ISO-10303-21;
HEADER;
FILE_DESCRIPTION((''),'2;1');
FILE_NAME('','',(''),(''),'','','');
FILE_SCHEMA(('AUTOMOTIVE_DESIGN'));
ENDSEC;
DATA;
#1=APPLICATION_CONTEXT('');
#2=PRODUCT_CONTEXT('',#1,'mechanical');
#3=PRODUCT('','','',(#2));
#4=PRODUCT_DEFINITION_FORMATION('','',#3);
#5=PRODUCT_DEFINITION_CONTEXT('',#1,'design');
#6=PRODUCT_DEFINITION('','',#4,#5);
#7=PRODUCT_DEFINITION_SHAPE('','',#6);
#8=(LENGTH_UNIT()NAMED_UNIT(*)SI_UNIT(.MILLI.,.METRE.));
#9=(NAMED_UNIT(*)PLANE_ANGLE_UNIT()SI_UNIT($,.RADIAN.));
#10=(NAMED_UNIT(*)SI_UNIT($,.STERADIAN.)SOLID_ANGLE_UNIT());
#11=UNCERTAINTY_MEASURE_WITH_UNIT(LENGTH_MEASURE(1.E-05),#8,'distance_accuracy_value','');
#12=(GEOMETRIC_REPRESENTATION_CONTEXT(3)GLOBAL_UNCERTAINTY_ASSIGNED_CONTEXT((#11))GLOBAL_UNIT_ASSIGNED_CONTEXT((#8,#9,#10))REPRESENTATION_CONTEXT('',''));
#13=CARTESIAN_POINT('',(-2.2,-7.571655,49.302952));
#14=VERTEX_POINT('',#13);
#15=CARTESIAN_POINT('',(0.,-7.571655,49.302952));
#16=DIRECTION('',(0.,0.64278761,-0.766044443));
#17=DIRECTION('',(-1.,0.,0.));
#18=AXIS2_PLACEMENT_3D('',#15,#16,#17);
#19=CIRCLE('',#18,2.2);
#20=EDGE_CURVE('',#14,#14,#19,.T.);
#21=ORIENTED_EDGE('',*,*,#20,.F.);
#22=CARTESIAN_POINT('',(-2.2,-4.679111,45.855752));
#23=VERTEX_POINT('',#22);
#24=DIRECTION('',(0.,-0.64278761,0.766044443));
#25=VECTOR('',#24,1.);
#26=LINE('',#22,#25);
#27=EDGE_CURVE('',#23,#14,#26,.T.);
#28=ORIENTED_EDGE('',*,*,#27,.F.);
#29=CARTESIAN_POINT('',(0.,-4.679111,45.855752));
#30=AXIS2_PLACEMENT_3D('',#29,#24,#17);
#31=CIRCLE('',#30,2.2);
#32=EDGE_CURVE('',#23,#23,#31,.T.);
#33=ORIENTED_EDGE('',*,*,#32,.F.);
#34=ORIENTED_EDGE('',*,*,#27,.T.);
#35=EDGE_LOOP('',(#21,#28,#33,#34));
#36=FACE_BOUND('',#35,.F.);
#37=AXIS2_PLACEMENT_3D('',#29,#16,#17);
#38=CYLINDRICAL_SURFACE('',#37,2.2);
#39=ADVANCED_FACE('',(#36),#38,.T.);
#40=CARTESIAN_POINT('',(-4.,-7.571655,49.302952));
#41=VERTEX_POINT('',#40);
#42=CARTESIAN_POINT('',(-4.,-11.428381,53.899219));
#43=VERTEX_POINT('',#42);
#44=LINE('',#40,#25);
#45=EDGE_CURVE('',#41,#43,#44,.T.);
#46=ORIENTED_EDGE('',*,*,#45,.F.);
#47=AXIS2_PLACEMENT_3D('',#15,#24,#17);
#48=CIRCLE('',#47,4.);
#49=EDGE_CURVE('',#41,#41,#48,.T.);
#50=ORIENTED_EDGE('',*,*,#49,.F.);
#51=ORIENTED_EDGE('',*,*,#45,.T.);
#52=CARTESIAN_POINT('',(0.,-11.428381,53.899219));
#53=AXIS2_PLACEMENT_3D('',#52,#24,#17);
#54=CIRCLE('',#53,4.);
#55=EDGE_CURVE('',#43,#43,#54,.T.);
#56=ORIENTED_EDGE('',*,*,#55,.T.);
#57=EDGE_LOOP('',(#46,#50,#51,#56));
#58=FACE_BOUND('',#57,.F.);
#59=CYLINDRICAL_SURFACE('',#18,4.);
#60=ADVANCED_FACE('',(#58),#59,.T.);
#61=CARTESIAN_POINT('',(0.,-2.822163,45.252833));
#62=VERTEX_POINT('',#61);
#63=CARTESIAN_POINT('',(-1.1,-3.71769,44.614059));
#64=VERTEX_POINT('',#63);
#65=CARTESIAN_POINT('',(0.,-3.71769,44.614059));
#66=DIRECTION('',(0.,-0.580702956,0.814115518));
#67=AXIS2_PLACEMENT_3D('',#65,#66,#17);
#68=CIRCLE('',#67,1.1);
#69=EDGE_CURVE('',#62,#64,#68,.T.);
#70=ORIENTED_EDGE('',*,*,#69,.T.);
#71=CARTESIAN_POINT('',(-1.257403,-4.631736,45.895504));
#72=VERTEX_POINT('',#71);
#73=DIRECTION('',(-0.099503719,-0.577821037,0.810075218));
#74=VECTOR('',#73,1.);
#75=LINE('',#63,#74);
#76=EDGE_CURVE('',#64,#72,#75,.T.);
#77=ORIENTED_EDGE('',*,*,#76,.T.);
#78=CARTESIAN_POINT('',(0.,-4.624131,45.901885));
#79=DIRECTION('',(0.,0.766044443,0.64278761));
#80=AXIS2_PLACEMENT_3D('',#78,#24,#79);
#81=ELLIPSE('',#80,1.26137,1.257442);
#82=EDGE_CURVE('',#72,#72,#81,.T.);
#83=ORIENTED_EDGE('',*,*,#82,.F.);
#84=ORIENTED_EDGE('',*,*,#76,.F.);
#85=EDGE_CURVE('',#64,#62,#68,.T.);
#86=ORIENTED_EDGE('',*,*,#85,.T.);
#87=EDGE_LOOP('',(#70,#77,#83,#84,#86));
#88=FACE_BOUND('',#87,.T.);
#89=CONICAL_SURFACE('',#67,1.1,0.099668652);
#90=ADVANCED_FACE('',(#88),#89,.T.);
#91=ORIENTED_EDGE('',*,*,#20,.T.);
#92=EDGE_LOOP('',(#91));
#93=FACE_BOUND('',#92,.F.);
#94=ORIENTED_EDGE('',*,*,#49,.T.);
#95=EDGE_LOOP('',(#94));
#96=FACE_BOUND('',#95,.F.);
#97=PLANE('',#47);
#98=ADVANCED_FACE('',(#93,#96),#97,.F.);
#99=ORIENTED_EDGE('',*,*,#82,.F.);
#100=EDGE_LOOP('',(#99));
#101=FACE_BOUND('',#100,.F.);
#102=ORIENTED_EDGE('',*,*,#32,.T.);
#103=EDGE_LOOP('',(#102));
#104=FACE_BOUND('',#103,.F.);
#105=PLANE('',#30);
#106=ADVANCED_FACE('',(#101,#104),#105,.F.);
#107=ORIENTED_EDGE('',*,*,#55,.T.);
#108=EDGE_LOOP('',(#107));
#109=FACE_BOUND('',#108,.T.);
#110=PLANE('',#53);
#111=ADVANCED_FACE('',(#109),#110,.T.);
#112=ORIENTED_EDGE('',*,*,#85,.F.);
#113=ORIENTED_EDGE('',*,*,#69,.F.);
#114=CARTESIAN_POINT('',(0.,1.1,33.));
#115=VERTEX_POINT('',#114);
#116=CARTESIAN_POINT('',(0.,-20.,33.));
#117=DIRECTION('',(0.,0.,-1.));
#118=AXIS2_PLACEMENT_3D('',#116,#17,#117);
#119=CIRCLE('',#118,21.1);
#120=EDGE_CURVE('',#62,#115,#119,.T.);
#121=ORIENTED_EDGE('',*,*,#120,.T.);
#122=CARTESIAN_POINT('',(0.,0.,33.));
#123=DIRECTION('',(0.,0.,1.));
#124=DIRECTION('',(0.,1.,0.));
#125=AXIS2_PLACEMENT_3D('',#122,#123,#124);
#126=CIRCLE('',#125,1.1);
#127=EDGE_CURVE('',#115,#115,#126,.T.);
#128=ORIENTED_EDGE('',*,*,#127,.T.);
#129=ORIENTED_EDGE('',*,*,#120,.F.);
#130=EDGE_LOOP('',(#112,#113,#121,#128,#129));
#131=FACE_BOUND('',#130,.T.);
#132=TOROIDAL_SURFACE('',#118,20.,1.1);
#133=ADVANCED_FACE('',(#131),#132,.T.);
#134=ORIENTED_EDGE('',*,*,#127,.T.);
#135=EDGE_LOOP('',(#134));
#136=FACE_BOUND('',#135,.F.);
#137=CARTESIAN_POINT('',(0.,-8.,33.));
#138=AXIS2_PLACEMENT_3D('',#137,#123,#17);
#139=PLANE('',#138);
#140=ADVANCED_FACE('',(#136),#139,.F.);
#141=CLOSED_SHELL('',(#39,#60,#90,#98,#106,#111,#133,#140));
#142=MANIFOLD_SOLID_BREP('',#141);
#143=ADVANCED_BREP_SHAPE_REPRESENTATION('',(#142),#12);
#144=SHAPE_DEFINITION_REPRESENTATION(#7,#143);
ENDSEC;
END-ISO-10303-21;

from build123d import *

# Parameters (mm, degrees)
CONE007_ROLL_ANGLE           = -35.5
BOX001027045030_W            = 10
BOX001027045030_H            = 24
BOX001027045030_DEPTH        = 22
BOX001027045030_ROLL_ANGLE   = -35.5
BOX001027045029_W            = 10
BOX001027045029_H            = 24
BOX001027045029_DEPTH        = 22
TORUS006_R                   = 1.1
TORUS006_PITCH_ANGLE         = 90
CYLINDER135_R                = 4
CYLINDER135_DEPTH            = 6
CYLINDER135_ROLL_ANGLE       = -40
CYLINDER134_R                = 2.2
CYLINDER134_DEPTH            = 10
CYLINDER134_ROLL_ANGLE       = -40
FUSION112046_PLACEMENT_ANGLE = 180


with BuildPart() as cone007:
    # Cone007 → Cone007 (revolve)
    with BuildSketch(Plane.XZ):
        Polygon((0, 0), (1.1, 0), (1.3, 2), (0, 2), align=None)
    revolve(axis=Axis((0, 0, 0), (0, 0, 1)))


with BuildPart() as cone007_1:
    # Cone007 roll: moved
    add(cone007.part.rotate(Axis((0, 0, 0), (1, 0, 0)), CONE007_ROLL_ANGLE))


with BuildPart() as cone007_2:
    # Cone007 placement: moved
    add(cone007_1.part.moved(Location((0, 3.71769, 11.614059))))


with BuildPart() as cube083:
    # Box001027045030 → Box001027045030 (new body)
    with BuildSketch(Plane.XY):
        with Locations((5, 12)):
            Rectangle(BOX001027045030_W, BOX001027045030_H)
    extrude(amount=BOX001027045030_DEPTH)


with BuildPart() as cube083_1:
    # Box001027045030 roll: moved
    add(cube083.part.rotate(Axis((0, 0, 0), (1, 0, 0)), BOX001027045030_ROLL_ANGLE))


with BuildPart() as cube083_2:
    # Box001027045030 placement: moved
    add(cube083_1.part.moved(Location((-5, 0.461228, 13.936871))))


with BuildPart() as cube082:
    # Box001027045029 → Box001027045029 (new body)
    with BuildSketch(Plane(origin=(-5, -4, 0), x_dir=(1, 0, 0), z_dir=(0, 0, 1))):
        with Locations((5, 12)):
            Rectangle(BOX001027045029_W, BOX001027045029_H)
    extrude(amount=BOX001027045029_DEPTH)


with BuildPart() as cut073:
    # Torus006 → Torus006 (revolve)
    with BuildSketch(Plane.XZ):
        with Locations((20, 0)):
            Circle(TORUS006_R)
    revolve(axis=Axis((0, 0, 0), (0, 0, 1)))


with BuildPart() as cut073_1:
    # Torus006 pitch: moved
    add(cut073.part.rotate(Axis((0, 0, 0), (0, 1, 0)), TORUS006_PITCH_ANGLE))


with BuildPart() as cut073_2:
    # Torus006 placement: moved
    add(cut073_1.part.moved(Location((0, 20, 0))))

    # Common058: intersect Cube082
    add(cube082.part, mode=Mode.INTERSECT)

    # Cut073: cut Cube083
    add(cube083_2.part, mode=Mode.SUBTRACT)


with BuildPart() as cylinder193:
    # Cylinder135 → Cylinder135 (new body)
    with BuildSketch(Plane.XY):
        Circle(CYLINDER135_R)
    extrude(amount=CYLINDER135_DEPTH)


with BuildPart() as cylinder193_1:
    # Cylinder135 roll: moved
    add(cylinder193.part.rotate(Axis((0, 0, 0), (1, 0, 0)), CYLINDER135_ROLL_ANGLE))


with BuildPart() as cylinder193_2:
    # Cylinder135 placement: moved
    add(cylinder193_1.part.moved(Location((0, 7.571655, 16.302952))))


with BuildPart() as torroidal_hole009:
    # Cylinder134 → Cylinder134 (new body)
    with BuildSketch(Plane.XY):
        Circle(CYLINDER134_R)
    extrude(amount=CYLINDER134_DEPTH)


with BuildPart() as torroidal_hole009_1:
    # Cylinder134 roll: moved
    add(torroidal_hole009.part.rotate(Axis((0, 0, 0), (1, 0, 0)), CYLINDER134_ROLL_ANGLE))


with BuildPart() as torroidal_hole009_2:
    # Cylinder134 placement: moved
    add(torroidal_hole009_1.part.moved(Location((0, 4.679111, 12.855752))))

    # Fusion112046: union Cone007, Cut073, Cylinder193
    add(cone007_2.part)
    add(cut073_2.part)
    add(cylinder193_2.part)


with BuildPart() as torroidal_hole009_3:
    # Fusion112046 placement: moved
    add(torroidal_hole009_2.part.moved(Location((0, 0, 33))).rotate(Axis((0, 0, 33), (0, 0, 1)), FUSION112046_PLACEMENT_ANGLE))


solid = torroidal_hole009_3.part
